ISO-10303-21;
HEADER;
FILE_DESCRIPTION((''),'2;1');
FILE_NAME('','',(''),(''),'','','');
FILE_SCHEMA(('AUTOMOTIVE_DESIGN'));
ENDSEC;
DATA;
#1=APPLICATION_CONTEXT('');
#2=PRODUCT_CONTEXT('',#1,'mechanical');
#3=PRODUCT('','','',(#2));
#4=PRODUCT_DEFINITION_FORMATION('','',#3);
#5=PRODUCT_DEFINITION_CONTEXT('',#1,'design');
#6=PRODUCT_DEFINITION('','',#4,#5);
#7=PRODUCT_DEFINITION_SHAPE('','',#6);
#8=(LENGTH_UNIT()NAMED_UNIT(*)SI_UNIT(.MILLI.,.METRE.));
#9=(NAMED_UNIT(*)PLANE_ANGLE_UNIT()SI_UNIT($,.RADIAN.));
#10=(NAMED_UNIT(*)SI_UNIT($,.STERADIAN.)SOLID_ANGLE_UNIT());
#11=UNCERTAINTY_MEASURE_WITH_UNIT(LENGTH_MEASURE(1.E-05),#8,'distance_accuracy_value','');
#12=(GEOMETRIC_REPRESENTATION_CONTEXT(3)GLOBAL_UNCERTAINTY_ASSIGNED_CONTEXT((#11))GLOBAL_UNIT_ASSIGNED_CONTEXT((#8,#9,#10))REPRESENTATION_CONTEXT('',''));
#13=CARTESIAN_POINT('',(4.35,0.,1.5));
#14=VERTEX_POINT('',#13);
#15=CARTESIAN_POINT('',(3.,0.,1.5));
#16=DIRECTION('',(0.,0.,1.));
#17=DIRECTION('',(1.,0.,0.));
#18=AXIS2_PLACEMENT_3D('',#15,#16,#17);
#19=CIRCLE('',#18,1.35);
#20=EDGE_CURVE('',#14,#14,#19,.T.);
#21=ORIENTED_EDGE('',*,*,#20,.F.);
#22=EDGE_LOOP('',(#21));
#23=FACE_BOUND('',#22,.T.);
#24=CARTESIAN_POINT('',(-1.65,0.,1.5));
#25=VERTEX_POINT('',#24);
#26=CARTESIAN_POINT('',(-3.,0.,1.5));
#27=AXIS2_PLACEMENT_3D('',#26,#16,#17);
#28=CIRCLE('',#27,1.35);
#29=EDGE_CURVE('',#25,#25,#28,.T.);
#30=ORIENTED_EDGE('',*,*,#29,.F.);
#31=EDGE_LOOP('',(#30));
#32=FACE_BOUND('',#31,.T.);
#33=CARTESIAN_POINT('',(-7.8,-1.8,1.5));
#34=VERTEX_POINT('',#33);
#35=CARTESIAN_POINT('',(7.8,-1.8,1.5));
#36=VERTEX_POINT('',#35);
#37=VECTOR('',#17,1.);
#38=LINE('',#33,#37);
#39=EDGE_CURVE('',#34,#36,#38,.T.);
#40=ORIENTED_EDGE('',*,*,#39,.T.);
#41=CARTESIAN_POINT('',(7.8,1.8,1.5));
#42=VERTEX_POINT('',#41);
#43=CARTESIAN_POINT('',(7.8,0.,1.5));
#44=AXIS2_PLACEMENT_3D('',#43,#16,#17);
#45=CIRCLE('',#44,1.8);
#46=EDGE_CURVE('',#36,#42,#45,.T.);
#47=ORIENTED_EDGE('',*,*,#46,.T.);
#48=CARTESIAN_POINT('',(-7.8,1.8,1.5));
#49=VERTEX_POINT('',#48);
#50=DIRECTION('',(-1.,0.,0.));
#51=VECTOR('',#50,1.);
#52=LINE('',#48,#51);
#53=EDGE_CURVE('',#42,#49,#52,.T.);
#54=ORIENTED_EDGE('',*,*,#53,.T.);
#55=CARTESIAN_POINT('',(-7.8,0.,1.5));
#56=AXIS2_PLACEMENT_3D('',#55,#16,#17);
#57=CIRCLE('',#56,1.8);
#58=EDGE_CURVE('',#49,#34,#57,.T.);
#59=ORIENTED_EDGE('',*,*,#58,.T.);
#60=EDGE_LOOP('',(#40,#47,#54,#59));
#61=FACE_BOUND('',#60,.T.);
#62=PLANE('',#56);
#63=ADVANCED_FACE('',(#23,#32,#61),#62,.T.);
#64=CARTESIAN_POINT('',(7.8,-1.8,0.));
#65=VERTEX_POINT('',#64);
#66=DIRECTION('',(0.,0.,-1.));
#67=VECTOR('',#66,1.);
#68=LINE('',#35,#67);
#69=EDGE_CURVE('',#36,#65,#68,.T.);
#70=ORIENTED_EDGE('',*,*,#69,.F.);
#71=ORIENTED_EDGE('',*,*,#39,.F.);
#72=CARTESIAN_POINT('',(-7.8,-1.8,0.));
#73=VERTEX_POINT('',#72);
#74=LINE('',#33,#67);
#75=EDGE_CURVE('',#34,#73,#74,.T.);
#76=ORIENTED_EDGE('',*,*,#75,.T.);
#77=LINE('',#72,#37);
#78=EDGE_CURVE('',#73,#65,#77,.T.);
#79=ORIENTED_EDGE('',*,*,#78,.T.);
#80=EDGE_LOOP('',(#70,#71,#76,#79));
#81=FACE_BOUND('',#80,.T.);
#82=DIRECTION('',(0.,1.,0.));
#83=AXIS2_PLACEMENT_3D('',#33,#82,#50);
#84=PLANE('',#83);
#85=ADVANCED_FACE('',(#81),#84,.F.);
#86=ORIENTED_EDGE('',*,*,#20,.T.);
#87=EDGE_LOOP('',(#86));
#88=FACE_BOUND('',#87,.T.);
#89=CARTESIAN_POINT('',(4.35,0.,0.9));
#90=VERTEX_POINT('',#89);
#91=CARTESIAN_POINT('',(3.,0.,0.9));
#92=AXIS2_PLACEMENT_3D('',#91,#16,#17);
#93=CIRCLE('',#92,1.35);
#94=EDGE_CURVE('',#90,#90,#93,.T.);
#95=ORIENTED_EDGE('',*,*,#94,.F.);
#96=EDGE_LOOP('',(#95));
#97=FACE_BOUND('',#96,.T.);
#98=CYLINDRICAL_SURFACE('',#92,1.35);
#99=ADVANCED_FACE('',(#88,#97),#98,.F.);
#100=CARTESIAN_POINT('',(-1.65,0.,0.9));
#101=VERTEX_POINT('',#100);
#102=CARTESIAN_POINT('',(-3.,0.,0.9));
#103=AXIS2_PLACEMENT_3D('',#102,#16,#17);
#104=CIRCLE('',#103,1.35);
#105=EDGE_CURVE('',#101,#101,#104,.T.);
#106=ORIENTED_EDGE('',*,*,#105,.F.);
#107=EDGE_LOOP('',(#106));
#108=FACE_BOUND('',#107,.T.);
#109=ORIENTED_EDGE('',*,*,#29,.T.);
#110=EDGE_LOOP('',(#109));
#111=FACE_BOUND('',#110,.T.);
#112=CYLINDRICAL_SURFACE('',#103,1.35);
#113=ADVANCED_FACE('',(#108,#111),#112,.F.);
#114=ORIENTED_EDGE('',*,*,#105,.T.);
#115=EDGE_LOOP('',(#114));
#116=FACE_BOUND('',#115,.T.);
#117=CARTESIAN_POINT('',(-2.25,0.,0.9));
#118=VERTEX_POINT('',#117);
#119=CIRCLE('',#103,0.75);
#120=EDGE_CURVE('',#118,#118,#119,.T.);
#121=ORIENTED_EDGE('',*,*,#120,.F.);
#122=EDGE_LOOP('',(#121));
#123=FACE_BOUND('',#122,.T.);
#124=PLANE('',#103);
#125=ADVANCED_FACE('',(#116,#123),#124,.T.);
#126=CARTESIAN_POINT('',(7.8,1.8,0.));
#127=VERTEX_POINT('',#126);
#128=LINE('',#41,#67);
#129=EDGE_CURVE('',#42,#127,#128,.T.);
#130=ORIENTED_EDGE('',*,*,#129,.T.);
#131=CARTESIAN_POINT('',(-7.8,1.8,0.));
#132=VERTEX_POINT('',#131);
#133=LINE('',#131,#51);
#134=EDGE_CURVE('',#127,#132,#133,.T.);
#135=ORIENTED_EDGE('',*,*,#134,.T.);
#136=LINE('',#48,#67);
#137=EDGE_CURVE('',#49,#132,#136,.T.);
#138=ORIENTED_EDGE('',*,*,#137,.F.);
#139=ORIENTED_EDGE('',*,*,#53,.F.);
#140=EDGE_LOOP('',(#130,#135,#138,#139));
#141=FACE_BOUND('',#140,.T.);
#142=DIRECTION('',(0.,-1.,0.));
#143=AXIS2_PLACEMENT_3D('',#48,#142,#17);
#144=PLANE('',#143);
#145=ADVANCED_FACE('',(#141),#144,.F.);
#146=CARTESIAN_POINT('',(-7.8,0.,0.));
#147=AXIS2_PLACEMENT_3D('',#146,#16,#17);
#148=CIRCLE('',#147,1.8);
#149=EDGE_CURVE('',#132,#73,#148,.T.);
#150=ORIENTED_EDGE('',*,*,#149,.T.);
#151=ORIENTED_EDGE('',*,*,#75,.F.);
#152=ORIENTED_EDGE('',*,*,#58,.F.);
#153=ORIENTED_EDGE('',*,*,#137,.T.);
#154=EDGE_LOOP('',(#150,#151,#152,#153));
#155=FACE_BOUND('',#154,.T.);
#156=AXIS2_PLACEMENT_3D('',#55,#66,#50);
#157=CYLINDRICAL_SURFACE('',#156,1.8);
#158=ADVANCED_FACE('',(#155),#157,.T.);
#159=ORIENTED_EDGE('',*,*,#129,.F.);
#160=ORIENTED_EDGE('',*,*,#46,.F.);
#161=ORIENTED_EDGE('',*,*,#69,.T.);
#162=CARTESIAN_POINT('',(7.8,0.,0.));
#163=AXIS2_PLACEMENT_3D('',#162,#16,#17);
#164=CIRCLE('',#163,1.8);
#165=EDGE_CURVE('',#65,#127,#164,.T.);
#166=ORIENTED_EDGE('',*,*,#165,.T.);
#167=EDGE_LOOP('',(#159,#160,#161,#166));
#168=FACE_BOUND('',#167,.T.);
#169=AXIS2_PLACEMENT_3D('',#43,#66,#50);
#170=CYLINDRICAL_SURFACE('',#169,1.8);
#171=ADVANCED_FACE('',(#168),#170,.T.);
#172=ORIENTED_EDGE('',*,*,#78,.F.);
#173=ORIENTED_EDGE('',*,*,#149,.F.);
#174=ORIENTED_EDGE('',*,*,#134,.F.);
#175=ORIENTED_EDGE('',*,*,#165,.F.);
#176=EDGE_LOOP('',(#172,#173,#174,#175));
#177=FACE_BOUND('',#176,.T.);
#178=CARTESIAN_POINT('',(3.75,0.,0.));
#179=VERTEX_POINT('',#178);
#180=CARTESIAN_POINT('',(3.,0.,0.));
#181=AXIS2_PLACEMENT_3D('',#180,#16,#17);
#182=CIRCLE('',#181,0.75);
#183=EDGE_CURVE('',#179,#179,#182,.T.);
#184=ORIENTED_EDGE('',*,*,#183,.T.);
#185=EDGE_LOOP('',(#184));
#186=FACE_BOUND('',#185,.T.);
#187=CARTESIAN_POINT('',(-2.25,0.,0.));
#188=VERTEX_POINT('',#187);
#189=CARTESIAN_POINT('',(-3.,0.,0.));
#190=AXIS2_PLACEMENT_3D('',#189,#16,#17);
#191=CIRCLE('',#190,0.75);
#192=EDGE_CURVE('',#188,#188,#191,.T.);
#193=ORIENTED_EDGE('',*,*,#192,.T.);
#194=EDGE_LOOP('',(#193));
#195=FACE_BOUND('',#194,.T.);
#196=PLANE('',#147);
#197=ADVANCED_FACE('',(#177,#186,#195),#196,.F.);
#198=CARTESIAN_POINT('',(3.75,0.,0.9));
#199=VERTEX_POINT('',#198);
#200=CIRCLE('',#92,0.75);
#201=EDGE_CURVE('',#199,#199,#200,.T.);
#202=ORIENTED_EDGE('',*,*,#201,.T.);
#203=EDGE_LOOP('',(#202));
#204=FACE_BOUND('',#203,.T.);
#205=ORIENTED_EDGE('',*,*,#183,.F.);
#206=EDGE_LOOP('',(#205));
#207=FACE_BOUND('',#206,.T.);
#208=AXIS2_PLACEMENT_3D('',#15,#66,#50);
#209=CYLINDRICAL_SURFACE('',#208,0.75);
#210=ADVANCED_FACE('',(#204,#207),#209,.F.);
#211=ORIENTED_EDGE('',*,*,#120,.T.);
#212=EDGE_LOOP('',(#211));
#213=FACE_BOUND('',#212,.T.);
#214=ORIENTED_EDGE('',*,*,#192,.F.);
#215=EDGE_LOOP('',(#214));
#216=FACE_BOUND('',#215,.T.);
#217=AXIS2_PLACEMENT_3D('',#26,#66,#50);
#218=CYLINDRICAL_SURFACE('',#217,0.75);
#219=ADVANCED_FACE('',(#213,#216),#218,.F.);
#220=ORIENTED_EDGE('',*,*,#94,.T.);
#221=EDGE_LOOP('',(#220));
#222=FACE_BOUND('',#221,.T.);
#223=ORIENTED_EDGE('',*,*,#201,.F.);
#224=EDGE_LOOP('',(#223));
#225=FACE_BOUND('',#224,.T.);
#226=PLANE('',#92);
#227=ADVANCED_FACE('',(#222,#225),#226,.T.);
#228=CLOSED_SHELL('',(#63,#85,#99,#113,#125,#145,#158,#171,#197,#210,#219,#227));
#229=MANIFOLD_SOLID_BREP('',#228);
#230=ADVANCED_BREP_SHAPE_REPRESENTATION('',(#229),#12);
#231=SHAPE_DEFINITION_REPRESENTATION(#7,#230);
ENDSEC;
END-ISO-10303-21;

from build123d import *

# Parameters (mm, degrees)
SKETCH_1_R          = 1.25
EXTRUDE_1_DEPTH     = 2.5
SKETCH_2_R          = 2.25
CUT_EXTRUDE_1_DEPTH = 1
SCALE_1_SCALE       = 0.6


with BuildPart() as part:
    # 草图1 → 凸台-拉伸1 (new body)
    with BuildSketch(Plane.XY):
        with BuildLine():
            Line((-13, 3), (13, 3))
            ThreePointArc((13, 3), (16, 0), (13, -3))
            Line((13, -3), (-13, -3))
            ThreePointArc((-13, -3), (-16, 0), (-13, 3))
        make_face()
        with Locations((5, 0)):
            Circle(SKETCH_1_R, mode=Mode.SUBTRACT)
        with Locations((-5, 0)):
            Circle(SKETCH_1_R, mode=Mode.SUBTRACT)
    extrude(amount=EXTRUDE_1_DEPTH)

    # 草图2 → 切除-拉伸1 (cut)
    with BuildSketch(Plane.XY.offset(2.5)):
        with Locations((-5, 0)):
            Circle(SKETCH_2_R)
        with Locations((5, 0)):
            Circle(SKETCH_2_R)
    extrude(amount=-CUT_EXTRUDE_1_DEPTH, mode=Mode.SUBTRACT)


with BuildPart() as part_1:
    # 缩放比例1: scaled about (0, 0, 0)
    add(part.part.scale(SCALE_1_SCALE))


solid = part_1.part
